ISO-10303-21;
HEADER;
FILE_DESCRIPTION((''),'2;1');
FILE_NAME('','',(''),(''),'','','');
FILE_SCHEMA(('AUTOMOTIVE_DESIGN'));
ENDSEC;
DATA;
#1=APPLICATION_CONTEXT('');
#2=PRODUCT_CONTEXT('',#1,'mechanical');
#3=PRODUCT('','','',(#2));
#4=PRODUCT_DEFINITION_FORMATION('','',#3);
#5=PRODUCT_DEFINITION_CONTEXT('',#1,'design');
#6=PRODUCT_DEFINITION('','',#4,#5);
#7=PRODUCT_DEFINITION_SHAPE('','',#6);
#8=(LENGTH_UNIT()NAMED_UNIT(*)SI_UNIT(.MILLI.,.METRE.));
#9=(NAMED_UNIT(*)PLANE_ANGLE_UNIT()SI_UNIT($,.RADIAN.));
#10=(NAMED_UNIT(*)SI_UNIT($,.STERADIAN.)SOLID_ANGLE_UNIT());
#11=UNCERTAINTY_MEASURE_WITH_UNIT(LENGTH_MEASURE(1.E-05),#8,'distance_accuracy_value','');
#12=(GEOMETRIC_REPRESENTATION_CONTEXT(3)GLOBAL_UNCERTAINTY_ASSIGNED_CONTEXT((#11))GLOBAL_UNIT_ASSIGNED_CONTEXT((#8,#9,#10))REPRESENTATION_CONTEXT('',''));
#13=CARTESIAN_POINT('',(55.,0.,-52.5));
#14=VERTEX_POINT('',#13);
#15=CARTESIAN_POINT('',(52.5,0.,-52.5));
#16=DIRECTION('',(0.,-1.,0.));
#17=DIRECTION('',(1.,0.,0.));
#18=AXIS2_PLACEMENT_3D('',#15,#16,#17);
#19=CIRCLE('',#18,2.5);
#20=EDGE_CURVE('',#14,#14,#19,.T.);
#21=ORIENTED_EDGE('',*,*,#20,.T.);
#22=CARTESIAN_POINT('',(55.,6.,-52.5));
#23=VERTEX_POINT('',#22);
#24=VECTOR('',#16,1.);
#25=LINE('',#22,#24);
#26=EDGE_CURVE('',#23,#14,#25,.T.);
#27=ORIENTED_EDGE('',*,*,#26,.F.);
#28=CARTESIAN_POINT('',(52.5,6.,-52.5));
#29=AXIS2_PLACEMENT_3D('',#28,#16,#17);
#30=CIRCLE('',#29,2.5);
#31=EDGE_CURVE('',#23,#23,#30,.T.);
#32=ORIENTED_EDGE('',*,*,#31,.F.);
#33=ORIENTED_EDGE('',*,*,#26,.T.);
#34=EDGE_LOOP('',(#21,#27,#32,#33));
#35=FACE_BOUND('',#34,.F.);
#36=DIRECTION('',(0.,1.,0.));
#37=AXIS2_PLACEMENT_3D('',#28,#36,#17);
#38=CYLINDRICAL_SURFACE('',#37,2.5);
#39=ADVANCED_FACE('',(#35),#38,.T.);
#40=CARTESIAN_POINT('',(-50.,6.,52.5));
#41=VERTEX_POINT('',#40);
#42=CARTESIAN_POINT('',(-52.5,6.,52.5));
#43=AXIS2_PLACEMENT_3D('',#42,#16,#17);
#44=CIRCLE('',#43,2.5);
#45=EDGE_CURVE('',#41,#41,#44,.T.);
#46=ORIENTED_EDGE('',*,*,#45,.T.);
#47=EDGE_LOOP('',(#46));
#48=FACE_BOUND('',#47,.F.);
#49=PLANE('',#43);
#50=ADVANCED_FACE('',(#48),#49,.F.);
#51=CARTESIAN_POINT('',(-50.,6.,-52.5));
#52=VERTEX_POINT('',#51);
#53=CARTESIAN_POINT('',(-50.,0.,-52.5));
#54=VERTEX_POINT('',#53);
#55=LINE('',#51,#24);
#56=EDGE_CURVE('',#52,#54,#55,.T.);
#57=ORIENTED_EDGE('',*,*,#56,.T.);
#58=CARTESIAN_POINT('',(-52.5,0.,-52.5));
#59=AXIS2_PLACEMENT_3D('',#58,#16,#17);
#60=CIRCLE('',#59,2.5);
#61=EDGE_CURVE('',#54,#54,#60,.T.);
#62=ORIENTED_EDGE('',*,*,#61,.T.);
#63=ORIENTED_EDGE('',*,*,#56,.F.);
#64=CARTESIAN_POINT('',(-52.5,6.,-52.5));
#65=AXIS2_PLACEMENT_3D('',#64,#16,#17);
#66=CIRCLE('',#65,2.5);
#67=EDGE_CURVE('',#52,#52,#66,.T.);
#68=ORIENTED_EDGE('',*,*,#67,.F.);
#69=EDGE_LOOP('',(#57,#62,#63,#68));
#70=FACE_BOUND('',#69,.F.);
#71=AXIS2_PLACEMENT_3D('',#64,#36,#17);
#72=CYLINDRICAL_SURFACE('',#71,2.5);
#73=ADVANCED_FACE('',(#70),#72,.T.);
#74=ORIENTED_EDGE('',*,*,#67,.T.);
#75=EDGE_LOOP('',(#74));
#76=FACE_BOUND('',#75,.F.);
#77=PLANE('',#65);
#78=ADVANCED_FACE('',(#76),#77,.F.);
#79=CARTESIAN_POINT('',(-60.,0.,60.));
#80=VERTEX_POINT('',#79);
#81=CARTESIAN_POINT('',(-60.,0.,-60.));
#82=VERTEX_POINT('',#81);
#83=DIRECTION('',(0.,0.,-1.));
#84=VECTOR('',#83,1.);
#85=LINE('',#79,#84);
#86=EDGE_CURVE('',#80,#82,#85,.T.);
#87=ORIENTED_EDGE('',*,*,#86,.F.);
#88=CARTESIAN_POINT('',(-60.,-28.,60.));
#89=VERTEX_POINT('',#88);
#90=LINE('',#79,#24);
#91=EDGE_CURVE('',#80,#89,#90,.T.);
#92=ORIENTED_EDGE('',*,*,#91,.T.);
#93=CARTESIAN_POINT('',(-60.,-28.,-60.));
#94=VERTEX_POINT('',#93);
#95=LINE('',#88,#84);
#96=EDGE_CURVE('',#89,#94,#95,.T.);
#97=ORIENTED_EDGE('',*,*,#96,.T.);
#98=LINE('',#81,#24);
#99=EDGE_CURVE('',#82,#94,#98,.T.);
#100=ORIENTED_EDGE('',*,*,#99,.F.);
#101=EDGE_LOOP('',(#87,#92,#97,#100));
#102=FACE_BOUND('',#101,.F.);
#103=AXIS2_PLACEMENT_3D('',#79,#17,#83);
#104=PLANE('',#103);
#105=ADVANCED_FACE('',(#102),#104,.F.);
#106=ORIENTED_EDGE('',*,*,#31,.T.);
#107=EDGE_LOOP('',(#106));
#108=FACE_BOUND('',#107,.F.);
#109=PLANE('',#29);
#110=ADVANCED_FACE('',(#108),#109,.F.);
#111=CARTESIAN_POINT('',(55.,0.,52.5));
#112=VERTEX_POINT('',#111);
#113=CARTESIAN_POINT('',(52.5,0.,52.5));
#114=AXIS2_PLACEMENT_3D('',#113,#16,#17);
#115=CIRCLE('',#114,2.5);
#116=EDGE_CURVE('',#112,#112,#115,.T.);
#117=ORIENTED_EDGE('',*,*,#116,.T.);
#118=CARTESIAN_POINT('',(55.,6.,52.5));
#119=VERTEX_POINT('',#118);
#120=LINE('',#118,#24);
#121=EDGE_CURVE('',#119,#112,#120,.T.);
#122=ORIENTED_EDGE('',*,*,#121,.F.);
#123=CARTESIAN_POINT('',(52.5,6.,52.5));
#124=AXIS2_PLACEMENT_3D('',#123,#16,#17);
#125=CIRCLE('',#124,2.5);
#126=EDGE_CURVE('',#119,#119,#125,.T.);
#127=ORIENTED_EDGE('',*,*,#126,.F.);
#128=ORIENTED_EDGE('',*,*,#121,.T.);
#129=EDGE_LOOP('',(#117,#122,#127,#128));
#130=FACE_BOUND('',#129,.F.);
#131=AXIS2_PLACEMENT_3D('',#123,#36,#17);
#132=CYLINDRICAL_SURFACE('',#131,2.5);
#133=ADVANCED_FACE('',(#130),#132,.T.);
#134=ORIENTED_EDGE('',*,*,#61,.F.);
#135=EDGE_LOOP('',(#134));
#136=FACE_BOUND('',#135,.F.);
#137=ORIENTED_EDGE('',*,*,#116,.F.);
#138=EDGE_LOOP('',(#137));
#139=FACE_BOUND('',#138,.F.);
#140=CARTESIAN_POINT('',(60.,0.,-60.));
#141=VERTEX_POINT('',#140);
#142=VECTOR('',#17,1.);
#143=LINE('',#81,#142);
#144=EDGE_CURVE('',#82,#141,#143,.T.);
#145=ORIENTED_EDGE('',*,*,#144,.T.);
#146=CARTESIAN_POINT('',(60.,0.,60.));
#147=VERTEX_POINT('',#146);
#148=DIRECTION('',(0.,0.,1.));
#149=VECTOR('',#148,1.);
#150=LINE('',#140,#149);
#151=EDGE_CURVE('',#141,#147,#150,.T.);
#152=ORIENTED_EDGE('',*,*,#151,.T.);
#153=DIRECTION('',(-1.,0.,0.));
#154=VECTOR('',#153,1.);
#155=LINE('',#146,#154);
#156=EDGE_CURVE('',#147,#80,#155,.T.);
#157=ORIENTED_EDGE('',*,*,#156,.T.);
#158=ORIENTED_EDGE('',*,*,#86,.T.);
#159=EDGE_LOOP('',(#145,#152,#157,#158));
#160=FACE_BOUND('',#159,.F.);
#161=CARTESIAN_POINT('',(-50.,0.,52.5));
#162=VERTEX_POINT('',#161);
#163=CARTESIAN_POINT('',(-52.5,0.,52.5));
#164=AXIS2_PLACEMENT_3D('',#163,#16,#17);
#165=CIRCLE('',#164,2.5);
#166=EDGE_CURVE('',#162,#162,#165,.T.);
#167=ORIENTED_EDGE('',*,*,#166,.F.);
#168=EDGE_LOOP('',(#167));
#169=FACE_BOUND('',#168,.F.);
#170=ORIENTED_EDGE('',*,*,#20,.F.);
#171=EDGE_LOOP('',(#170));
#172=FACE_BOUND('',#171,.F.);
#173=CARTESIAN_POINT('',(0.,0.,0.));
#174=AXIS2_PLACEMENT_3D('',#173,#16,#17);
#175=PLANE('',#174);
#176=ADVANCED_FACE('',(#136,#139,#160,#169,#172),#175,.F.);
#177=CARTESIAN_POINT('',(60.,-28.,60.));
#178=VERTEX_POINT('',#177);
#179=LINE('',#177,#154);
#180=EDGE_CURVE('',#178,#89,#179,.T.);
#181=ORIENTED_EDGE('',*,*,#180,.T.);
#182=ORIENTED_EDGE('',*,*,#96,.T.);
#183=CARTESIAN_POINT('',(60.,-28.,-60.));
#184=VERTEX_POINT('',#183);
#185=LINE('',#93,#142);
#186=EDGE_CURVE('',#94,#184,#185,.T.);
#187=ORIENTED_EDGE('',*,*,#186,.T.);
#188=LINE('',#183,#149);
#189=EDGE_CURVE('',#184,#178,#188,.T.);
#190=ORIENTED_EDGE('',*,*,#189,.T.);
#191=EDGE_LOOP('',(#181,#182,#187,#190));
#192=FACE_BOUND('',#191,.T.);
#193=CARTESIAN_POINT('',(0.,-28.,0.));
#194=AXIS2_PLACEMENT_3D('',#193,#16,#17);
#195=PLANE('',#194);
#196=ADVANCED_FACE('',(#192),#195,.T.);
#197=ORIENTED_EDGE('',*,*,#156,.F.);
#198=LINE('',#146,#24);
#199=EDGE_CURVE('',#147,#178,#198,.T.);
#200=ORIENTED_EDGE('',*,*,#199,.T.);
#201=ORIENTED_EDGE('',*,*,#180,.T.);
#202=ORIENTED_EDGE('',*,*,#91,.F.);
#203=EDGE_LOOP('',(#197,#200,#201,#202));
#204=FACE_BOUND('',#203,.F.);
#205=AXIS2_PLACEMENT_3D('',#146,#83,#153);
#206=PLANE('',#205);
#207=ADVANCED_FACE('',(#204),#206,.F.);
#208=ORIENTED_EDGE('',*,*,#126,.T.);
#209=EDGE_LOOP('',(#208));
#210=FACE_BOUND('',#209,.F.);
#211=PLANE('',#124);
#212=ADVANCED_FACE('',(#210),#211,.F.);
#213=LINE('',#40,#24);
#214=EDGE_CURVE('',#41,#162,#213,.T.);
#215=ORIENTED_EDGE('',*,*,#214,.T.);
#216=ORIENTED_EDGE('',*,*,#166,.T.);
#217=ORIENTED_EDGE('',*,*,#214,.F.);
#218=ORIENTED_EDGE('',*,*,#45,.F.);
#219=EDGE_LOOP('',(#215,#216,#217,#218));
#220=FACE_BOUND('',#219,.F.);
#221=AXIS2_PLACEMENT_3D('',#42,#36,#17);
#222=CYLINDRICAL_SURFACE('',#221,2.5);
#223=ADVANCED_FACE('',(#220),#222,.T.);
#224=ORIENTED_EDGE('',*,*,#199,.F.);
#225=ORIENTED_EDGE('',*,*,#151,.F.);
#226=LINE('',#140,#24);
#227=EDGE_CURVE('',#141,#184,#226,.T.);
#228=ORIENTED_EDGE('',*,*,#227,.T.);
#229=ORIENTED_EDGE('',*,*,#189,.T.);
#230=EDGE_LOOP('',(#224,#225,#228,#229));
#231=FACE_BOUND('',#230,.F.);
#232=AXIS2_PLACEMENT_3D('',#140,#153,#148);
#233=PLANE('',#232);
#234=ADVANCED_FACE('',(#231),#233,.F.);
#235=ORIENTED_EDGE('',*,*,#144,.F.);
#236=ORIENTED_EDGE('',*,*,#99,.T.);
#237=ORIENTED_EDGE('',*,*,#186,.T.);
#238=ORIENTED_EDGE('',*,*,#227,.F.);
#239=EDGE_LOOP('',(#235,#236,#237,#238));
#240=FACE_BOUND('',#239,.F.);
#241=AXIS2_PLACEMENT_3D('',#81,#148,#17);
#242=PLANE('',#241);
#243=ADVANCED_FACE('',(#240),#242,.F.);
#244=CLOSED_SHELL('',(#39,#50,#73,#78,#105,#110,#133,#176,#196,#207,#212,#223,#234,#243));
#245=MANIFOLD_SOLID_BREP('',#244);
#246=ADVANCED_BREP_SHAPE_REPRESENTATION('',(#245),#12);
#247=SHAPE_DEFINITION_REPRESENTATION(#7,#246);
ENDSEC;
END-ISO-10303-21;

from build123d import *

# Parameters (mm, degrees)
PAD_DEPTH         = 28
CYLINDER_R        = 2.5
CYLINDER_DEPTH    = 6
CYLINDER001_R     = 2.5
CYLINDER001_DEPTH = 6
CYLINDER002_R     = 2.5
CYLINDER002_DEPTH = 6
CYLINDER003_R     = 2.5
CYLINDER003_DEPTH = 6


with BuildPart() as part:
    # Sketch → Pad (new body)
    with BuildSketch(Plane.XZ):
        Polygon((-60, 0), (-60, -60), (60, -60), (60, 60), (-60, 60), align=None)
    extrude(amount=PAD_DEPTH)

    # Cylinder → Cylinder (join)
    with BuildSketch(Plane(origin=(-52.5, 6, 52.5), x_dir=(1, 0, 0), z_dir=(0, -1, 0))):
        Circle(CYLINDER_R)
    extrude(amount=CYLINDER_DEPTH)

    # Cylinder001 → Cylinder001 (join)
    with BuildSketch(Plane(origin=(52.5, 6, 52.5), x_dir=(1, 0, 0), z_dir=(0, -1, 0))):
        Circle(CYLINDER001_R)
    extrude(amount=CYLINDER001_DEPTH)

    # Cylinder002 → Cylinder002 (join)
    with BuildSketch(Plane(origin=(52.5, 6, -52.5), x_dir=(1, 0, 0), z_dir=(0, -1, 0))):
        Circle(CYLINDER002_R)
    extrude(amount=CYLINDER002_DEPTH)

    # Cylinder003 → Cylinder003 (join)
    with BuildSketch(Plane(origin=(-52.5, 6, -52.5), x_dir=(1, 0, 0), z_dir=(0, -1, 0))):
        Circle(CYLINDER003_R)
    extrude(amount=CYLINDER003_DEPTH)


solid = part.part
